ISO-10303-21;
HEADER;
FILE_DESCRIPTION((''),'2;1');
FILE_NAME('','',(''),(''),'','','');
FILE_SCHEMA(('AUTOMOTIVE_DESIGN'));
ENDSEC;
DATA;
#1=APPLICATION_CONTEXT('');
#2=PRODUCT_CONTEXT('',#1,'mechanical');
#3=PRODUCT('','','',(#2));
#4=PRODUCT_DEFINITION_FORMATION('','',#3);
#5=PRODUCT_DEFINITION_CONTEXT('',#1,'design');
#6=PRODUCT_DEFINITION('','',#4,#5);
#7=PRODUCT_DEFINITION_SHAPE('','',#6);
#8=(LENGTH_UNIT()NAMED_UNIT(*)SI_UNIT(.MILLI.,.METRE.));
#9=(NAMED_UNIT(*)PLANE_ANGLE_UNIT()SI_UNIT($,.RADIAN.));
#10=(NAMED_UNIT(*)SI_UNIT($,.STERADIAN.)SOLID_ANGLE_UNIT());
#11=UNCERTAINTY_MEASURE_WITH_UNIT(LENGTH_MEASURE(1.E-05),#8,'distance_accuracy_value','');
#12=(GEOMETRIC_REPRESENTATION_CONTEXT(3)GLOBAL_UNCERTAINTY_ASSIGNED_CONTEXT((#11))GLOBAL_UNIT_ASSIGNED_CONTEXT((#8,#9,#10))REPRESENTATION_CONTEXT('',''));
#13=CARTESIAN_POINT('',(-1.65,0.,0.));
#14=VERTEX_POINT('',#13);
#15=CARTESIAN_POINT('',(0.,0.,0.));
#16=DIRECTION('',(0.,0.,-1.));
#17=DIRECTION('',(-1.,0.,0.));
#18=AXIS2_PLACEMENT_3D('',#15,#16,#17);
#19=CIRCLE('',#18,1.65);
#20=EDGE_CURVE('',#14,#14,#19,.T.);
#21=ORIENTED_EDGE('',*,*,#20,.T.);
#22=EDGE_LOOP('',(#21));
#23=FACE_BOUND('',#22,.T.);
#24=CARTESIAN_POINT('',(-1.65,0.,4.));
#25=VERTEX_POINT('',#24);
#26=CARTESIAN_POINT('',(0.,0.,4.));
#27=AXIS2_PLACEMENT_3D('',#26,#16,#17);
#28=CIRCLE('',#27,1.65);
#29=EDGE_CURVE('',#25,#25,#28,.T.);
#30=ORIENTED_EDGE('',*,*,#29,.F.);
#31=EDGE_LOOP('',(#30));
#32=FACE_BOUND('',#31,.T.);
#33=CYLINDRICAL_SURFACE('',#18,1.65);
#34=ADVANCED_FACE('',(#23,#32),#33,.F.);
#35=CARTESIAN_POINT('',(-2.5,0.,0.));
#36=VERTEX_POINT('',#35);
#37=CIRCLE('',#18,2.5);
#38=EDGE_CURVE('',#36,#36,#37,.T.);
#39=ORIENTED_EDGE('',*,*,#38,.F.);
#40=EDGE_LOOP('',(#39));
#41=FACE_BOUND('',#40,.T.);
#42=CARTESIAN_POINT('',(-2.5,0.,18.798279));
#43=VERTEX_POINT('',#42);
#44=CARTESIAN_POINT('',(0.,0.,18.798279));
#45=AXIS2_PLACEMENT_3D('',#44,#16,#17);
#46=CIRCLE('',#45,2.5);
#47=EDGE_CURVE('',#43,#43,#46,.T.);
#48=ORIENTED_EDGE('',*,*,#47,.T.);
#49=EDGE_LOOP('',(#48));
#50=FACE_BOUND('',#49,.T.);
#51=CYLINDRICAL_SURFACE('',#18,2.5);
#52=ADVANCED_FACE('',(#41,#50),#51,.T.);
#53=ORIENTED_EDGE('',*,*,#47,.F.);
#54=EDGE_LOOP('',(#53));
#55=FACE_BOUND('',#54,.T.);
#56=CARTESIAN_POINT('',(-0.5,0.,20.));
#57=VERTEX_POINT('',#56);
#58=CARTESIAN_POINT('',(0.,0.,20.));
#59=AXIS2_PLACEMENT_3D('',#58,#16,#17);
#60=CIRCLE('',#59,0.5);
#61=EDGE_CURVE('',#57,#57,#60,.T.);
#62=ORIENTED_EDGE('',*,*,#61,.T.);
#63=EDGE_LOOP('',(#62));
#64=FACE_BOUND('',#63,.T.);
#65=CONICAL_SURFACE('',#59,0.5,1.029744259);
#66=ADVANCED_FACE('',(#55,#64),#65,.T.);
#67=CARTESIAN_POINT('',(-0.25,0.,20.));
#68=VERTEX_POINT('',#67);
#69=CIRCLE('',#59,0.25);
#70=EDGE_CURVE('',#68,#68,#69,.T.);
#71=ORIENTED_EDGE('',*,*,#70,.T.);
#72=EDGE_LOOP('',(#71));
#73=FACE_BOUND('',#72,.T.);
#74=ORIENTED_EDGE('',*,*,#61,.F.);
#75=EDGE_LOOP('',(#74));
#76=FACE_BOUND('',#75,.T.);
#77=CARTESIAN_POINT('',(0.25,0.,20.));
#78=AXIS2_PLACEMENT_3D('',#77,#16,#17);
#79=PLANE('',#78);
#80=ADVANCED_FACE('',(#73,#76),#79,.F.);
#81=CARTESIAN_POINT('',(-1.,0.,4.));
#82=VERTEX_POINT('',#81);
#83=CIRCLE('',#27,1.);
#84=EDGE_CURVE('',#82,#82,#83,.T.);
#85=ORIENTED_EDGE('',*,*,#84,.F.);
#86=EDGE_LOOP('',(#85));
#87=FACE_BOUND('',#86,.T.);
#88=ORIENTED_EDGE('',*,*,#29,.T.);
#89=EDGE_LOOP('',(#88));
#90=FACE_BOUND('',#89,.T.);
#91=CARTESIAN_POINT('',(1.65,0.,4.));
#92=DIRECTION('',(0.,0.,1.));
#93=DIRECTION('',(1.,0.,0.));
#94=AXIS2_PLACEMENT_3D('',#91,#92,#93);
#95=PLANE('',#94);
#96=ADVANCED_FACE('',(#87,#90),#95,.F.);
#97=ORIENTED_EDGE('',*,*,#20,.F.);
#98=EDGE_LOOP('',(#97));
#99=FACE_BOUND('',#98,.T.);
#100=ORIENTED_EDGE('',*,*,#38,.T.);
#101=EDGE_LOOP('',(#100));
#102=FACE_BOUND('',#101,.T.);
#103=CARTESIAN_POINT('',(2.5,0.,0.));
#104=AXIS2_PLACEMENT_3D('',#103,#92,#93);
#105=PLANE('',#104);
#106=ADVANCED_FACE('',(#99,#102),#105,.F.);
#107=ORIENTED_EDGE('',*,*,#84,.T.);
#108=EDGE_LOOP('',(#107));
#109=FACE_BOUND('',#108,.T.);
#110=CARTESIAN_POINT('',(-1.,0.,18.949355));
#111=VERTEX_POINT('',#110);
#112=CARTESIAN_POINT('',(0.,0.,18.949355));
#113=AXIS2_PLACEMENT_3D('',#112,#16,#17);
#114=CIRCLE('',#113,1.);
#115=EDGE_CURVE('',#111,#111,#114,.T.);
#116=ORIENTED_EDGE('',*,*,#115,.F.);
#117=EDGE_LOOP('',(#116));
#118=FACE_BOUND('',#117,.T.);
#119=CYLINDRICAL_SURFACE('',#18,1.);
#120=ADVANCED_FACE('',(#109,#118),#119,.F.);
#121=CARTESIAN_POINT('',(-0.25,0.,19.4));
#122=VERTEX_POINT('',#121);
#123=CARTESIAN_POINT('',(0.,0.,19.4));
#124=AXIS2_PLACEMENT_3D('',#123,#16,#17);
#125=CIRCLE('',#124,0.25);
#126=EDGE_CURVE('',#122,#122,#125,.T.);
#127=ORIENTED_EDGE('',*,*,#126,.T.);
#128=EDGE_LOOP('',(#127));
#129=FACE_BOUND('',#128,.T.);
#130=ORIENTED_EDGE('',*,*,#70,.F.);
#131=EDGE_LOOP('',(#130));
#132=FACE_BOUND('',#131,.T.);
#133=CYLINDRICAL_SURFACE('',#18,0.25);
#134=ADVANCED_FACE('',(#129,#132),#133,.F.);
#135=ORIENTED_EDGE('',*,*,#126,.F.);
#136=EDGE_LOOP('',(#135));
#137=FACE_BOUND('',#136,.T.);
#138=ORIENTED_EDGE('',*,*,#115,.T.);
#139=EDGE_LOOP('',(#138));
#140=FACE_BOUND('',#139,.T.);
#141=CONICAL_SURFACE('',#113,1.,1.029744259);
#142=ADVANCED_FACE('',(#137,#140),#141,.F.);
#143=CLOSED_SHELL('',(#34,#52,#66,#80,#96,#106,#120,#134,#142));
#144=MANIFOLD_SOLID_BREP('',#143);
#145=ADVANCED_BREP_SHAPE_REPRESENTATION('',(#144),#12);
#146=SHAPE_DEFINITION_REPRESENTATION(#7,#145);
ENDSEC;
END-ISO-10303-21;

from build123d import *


with BuildPart() as part:
    # Sketch1 → Revolve1 (revolve)
    with BuildSketch(Plane(origin=(0, 0, 0), x_dir=(1, 0, 0), z_dir=(0, 1, 0))):
        Polygon((0.25, -20), (0.5, -20), (2.5, -18.798278762), (2.5, 0), (1.65, 0), (1.65, -4), (1, -4), (1, -18.949354536), (0.25, -19.4), align=None)
    revolve(axis=Axis((0, 0, 0), (0, 0, 1)))


solid = part.part
